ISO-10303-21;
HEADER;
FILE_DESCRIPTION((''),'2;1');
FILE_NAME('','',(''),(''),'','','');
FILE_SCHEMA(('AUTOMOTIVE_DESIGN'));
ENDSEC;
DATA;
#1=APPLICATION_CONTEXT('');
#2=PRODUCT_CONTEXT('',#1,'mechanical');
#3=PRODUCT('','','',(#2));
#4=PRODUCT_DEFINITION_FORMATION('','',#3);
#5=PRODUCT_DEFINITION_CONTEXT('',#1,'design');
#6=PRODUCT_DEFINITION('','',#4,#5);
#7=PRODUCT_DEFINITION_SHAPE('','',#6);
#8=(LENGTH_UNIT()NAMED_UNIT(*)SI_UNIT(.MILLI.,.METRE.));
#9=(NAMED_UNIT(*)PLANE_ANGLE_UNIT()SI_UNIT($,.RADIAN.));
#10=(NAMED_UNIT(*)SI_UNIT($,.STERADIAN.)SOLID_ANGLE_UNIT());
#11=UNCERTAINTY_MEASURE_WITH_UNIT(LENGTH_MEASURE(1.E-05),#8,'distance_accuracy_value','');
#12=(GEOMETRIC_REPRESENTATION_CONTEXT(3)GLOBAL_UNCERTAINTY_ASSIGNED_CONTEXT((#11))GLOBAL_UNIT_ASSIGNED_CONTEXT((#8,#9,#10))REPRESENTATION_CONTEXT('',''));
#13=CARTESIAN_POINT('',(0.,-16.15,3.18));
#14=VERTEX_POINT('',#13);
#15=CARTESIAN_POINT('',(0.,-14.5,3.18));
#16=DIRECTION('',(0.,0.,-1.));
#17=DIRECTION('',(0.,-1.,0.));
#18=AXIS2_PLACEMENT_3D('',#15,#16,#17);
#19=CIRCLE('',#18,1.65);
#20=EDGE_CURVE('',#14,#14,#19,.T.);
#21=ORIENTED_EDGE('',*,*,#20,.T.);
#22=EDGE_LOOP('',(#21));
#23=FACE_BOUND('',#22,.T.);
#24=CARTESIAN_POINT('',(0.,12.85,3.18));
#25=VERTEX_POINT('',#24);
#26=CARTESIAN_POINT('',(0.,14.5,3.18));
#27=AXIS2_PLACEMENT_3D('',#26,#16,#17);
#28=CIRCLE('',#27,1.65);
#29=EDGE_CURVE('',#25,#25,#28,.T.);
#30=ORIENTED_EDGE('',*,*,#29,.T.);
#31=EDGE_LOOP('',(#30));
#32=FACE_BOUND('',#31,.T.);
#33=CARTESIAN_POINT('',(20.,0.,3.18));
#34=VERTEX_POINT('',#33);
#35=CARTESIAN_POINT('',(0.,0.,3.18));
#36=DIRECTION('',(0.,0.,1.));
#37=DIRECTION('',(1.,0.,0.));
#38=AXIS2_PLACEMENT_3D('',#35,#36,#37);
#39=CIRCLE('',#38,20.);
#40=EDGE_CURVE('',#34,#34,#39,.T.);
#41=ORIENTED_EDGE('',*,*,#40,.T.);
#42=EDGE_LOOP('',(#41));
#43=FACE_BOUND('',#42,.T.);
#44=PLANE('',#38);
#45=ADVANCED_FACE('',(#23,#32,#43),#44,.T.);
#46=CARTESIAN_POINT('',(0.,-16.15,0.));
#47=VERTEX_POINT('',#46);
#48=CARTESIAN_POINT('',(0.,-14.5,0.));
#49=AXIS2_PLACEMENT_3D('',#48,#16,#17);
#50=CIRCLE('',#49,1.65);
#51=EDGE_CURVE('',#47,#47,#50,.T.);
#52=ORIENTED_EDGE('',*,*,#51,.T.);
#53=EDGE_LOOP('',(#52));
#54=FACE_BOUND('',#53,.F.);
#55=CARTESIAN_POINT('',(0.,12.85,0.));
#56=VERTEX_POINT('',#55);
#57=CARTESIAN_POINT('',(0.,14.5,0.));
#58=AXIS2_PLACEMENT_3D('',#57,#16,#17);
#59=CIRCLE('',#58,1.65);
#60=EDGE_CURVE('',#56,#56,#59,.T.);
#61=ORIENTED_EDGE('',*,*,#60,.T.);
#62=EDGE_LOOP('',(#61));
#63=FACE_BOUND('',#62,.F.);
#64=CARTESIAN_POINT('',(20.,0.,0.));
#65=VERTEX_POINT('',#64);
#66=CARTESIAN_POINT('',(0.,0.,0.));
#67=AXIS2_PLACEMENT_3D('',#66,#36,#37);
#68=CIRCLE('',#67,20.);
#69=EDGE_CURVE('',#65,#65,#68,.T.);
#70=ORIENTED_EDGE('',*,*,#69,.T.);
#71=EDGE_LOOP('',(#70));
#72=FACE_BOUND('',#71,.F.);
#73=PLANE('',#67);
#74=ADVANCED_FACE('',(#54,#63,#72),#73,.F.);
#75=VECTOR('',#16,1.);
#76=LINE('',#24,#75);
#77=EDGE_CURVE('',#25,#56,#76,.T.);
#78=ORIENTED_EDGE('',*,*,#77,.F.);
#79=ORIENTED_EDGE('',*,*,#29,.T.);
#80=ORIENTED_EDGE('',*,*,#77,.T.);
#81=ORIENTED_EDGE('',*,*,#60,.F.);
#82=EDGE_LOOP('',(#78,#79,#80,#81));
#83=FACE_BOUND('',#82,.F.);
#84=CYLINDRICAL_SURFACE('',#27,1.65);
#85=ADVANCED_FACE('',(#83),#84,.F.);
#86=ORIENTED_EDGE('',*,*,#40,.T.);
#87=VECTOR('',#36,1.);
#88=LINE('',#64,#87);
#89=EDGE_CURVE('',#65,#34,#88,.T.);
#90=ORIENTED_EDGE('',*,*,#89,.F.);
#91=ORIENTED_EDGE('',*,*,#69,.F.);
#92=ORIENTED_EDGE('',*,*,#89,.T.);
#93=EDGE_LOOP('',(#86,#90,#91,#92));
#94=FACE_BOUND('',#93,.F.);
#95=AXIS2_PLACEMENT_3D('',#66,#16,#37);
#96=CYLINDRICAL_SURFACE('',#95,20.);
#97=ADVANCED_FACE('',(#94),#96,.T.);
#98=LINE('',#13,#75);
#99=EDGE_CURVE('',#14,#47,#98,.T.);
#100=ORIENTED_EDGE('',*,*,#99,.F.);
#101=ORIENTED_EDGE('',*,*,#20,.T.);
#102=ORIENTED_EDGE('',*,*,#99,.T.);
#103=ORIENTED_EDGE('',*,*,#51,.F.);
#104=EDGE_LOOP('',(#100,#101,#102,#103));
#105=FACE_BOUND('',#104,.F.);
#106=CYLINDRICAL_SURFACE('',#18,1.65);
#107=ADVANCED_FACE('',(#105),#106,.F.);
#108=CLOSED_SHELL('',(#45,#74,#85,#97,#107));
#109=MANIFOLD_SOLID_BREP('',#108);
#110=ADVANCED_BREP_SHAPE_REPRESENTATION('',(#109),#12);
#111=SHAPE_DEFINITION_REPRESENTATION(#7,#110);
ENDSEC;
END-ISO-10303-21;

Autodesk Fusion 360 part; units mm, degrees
sketch "Sketch1" plane through (0, 0, 0) normal (0, 0, 1) x (1, 0, 0)
  circle A0 centre (0, 0) radius 20
  dimension "d1" = 40
extrude "Extrude1" add sketch "Sketch1" along normal blind 3.18
sketch "Sketch2" plane through (0, 0, 3.18) normal (0, 0, 1) x (-1, 0, 0)
  circle A0 centre (0, 0) radius 20
  line L0 (0, -20) -> (0, 20)
  point P0 (0, -14.5)
  point P1 (0, 14.5)
  point P2 (0, -14.5)
  point P3 (0, 14.5)
  dimension "d4" = 29
  dimension "d5" = 14.5
hole "Hole1" at (0, 14.5, 3.18) at (0, -14.5, 3.18) direction (0, 0, -1) diameter 3.3 depth 25 tip angle 118
